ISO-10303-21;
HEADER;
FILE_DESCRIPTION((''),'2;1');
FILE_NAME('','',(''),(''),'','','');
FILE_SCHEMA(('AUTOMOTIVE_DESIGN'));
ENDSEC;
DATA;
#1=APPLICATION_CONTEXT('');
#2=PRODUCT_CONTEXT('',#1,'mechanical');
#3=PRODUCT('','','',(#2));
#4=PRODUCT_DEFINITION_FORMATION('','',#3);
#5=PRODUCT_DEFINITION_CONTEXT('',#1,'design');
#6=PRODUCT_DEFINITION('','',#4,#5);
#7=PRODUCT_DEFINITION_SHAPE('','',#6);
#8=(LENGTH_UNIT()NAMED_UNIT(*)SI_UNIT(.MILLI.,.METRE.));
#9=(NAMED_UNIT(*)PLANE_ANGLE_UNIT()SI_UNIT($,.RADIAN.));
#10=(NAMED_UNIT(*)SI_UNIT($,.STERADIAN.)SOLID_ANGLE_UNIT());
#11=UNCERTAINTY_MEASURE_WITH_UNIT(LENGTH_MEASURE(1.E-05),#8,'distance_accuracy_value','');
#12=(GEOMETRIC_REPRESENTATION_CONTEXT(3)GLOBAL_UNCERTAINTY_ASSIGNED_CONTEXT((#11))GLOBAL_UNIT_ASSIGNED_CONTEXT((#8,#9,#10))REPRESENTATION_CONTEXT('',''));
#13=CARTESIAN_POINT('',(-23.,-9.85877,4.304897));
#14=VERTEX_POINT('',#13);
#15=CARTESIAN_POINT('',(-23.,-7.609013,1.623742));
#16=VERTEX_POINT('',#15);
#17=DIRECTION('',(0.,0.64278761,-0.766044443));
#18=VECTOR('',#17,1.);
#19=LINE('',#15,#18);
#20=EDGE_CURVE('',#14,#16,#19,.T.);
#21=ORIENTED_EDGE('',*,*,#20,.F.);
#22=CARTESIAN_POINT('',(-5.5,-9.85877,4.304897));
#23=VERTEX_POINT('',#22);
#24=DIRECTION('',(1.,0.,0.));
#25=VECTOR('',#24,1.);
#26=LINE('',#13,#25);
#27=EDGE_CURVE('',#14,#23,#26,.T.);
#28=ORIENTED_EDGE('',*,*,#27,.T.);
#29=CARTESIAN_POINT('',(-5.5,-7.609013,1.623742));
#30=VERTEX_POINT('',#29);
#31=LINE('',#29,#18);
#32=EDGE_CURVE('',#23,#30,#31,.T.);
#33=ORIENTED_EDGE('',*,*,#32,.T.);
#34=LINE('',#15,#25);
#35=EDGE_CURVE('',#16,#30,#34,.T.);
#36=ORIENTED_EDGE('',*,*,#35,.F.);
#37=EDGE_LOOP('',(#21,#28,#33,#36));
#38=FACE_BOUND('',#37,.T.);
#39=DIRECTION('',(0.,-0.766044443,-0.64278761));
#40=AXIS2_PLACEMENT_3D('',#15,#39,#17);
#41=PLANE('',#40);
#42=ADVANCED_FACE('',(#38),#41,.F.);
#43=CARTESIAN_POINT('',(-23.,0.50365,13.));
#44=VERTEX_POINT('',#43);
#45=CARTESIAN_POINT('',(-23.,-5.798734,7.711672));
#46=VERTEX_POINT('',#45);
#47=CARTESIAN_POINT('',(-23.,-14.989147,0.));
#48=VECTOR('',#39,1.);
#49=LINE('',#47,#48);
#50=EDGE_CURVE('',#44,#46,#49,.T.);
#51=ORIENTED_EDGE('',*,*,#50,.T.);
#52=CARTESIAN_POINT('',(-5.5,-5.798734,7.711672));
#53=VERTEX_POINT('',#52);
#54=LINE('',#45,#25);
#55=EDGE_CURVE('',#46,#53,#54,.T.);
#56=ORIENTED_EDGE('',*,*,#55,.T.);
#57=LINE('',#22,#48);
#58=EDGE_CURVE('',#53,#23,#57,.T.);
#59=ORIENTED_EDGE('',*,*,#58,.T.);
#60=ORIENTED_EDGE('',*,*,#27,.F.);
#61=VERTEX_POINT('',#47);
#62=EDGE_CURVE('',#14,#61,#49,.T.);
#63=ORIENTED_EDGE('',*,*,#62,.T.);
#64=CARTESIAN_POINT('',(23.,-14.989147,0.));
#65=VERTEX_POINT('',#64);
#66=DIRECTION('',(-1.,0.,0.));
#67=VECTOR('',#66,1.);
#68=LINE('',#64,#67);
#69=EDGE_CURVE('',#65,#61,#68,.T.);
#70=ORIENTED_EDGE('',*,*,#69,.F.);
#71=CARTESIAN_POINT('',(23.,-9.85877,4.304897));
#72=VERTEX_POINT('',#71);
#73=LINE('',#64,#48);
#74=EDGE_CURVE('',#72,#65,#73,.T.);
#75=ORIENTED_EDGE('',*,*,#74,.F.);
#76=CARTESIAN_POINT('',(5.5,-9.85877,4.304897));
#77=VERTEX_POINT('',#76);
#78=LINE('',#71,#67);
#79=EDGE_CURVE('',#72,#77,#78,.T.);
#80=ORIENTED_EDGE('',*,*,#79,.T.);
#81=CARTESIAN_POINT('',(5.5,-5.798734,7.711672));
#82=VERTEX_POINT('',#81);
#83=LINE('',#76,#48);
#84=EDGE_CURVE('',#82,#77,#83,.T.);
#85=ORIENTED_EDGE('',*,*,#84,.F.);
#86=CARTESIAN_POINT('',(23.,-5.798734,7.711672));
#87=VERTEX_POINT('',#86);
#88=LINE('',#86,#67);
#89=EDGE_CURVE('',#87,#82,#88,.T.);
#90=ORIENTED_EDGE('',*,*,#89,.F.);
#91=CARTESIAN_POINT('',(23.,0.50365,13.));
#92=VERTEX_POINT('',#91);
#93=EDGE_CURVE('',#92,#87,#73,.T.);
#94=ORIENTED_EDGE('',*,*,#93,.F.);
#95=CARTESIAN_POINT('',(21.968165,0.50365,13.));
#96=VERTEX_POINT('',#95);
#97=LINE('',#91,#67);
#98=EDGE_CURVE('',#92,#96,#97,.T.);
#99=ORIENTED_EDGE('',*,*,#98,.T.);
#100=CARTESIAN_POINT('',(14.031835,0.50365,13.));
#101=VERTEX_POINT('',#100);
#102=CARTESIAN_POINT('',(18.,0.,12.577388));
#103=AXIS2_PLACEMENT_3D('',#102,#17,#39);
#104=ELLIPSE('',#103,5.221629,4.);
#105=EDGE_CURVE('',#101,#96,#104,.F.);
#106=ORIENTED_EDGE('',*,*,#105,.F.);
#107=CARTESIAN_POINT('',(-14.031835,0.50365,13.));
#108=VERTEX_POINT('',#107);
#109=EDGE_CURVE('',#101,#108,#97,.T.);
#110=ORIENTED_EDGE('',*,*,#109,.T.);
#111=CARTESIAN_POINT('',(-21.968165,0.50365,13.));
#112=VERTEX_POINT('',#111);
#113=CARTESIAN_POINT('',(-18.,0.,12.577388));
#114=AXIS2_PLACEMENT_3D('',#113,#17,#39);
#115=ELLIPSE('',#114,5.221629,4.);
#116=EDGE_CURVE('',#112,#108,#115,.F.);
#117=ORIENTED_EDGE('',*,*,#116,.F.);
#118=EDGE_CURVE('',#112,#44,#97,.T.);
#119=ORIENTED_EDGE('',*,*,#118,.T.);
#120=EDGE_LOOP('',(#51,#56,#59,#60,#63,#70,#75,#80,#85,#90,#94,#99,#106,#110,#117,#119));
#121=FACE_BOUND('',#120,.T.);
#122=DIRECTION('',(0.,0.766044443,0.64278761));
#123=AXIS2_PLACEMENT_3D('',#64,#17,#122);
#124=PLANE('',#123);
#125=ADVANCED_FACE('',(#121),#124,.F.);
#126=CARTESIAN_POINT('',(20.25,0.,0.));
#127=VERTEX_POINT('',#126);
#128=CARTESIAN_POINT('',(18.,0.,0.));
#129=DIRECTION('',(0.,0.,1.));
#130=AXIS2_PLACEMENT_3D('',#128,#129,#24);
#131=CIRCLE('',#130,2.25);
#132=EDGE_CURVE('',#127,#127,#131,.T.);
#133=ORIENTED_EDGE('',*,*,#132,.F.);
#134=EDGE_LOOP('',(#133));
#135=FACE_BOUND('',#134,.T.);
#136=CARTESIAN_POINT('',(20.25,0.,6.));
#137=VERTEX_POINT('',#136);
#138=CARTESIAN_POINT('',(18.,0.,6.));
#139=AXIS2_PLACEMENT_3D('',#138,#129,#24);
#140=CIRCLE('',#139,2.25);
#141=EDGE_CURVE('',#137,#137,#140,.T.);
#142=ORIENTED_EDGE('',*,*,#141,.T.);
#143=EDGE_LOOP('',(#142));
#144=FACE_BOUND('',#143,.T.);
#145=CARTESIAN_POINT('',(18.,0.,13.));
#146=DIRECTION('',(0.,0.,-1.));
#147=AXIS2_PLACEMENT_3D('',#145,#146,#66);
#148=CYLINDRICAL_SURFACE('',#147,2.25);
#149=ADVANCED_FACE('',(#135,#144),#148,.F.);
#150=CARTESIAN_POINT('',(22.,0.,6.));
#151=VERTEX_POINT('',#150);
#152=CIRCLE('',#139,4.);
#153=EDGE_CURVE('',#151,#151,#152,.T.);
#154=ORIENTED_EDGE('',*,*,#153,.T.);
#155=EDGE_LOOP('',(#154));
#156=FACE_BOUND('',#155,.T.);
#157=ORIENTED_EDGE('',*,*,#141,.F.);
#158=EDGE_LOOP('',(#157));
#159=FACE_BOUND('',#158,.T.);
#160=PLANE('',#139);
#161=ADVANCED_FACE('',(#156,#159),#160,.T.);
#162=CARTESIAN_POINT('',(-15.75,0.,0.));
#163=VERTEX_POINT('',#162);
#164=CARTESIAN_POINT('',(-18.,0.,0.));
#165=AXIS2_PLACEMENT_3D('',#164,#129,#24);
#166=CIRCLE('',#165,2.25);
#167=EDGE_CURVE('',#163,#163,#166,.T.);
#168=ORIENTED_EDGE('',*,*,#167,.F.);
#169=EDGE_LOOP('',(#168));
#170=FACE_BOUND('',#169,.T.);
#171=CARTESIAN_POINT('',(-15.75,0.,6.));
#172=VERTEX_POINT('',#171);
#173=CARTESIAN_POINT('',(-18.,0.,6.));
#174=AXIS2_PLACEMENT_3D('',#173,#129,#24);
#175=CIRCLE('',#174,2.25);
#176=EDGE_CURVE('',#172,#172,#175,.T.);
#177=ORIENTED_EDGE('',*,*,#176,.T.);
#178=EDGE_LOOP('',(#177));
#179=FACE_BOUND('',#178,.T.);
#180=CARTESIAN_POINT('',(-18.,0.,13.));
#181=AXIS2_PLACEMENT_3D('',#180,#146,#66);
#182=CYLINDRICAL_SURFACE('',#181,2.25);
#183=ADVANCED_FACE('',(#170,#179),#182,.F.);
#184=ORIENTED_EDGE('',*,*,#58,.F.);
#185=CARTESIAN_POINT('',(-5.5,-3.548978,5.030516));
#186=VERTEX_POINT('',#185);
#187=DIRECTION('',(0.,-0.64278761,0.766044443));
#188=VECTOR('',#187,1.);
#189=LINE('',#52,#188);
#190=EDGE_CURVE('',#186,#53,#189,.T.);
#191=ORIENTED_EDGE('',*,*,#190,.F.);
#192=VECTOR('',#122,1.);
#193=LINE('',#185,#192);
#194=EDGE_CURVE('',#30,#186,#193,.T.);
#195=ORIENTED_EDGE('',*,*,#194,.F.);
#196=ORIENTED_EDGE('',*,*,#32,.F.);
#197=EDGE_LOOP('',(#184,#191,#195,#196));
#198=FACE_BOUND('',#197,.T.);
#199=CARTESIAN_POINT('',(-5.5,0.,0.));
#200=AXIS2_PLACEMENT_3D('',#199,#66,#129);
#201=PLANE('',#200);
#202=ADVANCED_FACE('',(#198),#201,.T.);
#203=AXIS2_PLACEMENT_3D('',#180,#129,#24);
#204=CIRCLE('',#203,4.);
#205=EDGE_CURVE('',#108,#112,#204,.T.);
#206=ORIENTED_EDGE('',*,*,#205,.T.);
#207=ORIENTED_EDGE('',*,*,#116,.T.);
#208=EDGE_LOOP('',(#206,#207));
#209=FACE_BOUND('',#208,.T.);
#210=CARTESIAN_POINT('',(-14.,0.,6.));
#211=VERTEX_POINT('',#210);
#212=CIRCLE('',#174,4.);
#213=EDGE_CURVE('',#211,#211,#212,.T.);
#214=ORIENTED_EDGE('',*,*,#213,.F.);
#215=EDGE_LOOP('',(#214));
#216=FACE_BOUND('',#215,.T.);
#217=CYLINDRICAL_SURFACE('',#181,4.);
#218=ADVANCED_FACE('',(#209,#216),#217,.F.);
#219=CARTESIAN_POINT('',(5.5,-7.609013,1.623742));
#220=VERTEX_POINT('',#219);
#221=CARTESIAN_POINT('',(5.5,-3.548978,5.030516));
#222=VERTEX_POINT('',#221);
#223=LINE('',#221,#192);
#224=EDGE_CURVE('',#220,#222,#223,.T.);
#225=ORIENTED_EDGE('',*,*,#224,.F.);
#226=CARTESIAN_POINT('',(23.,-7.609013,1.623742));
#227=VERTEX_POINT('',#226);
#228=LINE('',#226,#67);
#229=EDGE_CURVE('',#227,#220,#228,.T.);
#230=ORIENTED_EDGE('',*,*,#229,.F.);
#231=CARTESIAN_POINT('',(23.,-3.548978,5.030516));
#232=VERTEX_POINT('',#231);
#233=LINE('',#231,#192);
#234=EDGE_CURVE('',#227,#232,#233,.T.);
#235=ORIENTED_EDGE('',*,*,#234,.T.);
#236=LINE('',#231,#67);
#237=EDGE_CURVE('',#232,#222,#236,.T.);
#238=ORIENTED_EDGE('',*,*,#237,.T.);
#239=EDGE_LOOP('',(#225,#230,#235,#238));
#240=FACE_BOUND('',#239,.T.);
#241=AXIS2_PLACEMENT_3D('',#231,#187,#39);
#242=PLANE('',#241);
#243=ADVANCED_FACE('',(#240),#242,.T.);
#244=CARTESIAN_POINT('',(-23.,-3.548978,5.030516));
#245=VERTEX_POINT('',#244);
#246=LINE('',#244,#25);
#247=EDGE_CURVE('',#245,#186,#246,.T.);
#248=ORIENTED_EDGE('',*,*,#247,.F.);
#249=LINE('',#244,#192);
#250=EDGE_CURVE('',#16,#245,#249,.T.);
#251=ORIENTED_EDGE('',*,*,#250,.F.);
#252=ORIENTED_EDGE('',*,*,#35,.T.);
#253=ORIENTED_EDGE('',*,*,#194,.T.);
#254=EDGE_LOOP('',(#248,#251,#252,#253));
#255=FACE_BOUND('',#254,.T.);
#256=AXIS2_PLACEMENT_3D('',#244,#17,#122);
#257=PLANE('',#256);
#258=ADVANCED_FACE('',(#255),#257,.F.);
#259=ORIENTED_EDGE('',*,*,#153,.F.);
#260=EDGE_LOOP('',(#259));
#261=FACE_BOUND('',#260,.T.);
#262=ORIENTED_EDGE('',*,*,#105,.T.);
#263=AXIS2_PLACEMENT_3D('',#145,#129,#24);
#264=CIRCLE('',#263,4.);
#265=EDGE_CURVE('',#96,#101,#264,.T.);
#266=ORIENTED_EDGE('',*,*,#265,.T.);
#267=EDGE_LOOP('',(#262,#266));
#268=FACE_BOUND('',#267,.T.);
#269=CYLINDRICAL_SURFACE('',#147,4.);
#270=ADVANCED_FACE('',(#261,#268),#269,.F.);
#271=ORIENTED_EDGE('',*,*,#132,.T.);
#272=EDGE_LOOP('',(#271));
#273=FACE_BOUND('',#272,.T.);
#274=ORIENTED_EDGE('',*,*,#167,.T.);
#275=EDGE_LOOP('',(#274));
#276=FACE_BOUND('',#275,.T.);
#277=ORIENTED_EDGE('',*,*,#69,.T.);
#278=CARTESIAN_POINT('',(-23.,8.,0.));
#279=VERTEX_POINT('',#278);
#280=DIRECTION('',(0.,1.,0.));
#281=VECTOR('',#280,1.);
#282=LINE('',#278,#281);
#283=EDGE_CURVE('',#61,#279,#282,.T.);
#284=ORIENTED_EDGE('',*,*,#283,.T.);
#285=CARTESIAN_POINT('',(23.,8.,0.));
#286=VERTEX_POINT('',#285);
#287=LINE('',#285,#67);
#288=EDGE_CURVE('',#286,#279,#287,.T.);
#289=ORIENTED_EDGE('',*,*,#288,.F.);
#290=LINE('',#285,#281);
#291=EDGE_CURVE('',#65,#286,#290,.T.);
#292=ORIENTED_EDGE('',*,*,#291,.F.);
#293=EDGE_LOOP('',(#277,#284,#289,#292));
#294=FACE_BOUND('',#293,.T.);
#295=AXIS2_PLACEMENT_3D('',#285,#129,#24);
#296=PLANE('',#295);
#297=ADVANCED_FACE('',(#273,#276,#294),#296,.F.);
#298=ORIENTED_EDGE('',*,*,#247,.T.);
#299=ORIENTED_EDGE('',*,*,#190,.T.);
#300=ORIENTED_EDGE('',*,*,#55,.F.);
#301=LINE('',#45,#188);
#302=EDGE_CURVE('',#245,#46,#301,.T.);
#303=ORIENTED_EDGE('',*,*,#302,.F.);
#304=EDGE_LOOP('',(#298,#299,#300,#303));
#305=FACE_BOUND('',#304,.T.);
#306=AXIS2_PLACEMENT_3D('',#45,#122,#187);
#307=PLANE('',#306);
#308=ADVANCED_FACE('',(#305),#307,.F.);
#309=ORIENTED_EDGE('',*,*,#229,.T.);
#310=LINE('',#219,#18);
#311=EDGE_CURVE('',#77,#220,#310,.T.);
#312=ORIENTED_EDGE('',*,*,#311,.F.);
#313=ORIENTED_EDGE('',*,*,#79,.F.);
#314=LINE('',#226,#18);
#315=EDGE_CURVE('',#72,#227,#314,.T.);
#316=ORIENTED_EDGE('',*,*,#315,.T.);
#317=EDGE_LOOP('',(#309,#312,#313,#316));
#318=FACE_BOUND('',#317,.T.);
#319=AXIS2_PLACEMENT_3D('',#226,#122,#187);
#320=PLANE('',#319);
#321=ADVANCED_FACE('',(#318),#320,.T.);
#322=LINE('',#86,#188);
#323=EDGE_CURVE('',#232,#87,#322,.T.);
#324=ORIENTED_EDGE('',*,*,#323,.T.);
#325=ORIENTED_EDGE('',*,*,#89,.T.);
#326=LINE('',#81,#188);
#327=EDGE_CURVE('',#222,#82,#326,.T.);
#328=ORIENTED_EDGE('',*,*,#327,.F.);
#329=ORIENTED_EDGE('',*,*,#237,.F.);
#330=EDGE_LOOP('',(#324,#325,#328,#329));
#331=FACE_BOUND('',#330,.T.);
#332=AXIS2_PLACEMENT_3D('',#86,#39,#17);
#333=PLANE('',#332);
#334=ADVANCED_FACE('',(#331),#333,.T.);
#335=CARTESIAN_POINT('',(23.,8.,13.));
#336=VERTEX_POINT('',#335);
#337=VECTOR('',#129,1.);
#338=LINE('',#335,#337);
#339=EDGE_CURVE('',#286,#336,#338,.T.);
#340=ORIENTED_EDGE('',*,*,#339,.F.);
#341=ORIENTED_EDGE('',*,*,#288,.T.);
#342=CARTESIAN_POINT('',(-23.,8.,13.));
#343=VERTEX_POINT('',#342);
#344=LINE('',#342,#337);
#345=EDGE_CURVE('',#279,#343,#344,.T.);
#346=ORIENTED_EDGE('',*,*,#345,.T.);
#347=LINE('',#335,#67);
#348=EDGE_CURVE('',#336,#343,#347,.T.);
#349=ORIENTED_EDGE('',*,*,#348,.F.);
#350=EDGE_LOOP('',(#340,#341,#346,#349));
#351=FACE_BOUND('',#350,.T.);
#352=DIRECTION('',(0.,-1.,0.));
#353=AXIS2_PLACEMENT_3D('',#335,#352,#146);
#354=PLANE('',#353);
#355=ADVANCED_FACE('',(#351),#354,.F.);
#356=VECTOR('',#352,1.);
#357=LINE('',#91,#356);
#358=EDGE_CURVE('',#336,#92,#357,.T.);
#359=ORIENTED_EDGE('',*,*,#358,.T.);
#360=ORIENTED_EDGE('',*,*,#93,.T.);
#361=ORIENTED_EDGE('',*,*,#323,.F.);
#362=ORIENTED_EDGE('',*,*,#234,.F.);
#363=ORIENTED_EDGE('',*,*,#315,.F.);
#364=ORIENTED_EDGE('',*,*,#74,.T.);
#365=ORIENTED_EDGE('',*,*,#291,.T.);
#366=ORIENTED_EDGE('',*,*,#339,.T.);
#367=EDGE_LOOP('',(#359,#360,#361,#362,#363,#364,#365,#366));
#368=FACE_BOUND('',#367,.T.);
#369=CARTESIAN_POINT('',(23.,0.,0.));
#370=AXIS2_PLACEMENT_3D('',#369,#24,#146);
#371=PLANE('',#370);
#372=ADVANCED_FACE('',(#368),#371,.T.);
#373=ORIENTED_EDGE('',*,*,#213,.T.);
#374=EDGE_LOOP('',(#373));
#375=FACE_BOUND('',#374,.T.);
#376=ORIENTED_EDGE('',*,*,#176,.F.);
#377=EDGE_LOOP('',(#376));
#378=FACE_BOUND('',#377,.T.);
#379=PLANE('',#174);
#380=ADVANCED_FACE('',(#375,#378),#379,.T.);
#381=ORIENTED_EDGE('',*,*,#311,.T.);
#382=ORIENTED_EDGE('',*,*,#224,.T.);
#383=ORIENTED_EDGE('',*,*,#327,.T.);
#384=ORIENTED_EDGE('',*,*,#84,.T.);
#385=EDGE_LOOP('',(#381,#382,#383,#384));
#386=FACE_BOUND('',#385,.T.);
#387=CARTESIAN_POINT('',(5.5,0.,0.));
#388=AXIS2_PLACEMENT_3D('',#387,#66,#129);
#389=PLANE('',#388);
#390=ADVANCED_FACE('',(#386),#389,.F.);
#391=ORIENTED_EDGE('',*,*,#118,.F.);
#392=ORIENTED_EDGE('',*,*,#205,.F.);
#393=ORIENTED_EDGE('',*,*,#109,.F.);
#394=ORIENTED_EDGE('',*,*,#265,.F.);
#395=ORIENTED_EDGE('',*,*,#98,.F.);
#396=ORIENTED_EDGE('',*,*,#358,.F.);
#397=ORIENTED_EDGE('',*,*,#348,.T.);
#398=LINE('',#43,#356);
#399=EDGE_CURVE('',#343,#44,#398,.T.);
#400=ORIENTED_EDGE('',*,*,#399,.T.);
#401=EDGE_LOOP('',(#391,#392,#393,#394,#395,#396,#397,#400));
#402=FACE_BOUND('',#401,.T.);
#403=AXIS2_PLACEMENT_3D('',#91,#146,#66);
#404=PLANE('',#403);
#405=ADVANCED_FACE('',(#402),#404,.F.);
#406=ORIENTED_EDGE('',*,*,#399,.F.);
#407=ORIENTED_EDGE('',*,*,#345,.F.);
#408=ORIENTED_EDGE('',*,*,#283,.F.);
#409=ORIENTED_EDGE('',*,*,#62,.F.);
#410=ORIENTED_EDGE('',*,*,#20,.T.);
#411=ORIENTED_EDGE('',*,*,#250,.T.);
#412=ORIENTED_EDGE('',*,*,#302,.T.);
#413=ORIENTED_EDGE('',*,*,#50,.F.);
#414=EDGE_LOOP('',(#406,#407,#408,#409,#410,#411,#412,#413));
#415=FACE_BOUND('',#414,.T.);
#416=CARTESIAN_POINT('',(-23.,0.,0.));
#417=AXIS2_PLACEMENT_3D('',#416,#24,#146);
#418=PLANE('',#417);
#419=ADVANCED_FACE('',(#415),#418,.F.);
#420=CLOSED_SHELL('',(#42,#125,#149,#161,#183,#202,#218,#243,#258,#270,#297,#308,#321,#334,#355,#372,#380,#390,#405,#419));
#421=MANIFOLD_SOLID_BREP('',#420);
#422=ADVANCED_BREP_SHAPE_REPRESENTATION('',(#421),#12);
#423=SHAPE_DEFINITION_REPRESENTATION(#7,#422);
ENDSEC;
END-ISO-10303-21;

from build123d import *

# Parameters (mm, degrees)
EX_BODY_DEPTH       = 46
SK_SKINBOLTS_R      = 2.25
CUT_SKINBOLTS_DEPTH = 13
SK_BOLTHEADS_R      = 4
CUT_BOLTHEADS_DEPTH = 7
CUT_PLUGL_DEPTH     = 17.5
CUT_PLUGR_DEPTH     = 17.5


with BuildPart() as part:
    # SK_Body → EX_Body (new body)
    with BuildSketch(Plane(origin=(-23, 0, 0), x_dir=(0, 0, -1), z_dir=(1, 0, 0))):
        Polygon((0, -14.989146791), (-13, 0.503649913), (-13, 8), (0, 8), align=None)
    extrude(amount=EX_BODY_DEPTH)

    # SK_SkinBolts → CUT_SkinBolts (cut)
    with BuildSketch(Plane.XY):
        with Locations((18, 0)):
            Circle(SK_SKINBOLTS_R)
        with Locations((-18, 0)):
            Circle(SK_SKINBOLTS_R)
    extrude(amount=CUT_SKINBOLTS_DEPTH, mode=Mode.SUBTRACT)

    # SK_BoltHeads → CUT_BoltHeads (cut)
    with BuildSketch(Plane.XY.offset(6)):
        with Locations((18, 0)):
            Circle(SK_BOLTHEADS_R)
        with Locations((-18, 0)):
            Circle(SK_BOLTHEADS_R)
    extrude(amount=CUT_BOLTHEADS_DEPTH, mode=Mode.SUBTRACT)

    # SK_PlugL → CUT_PlugL (cut)
    with BuildSketch(Plane(origin=(5.5, 0, 0), x_dir=(0, 0, -1), z_dir=(1, 0, 0))):
        Polygon((-4.304897282, -9.858769989), (-7.711671614, -5.798734441), (-5.030516063, -3.548977807), (-1.623741731, -7.609013355), align=None)
    extrude(amount=CUT_PLUGL_DEPTH, mode=Mode.SUBTRACT)

    # SK_PlugR → CUT_PlugR (cut)
    with BuildSketch(Plane(origin=(-5.5, 0, 0), x_dir=(0, 0, -1), z_dir=(1, 0, 0))):
        Polygon((-4.304897282, -9.858769989), (-7.711671614, -5.798734441), (-5.030516063, -3.548977807), (-1.623741731, -7.609013355), align=None)
    extrude(amount=-CUT_PLUGR_DEPTH, mode=Mode.SUBTRACT)


solid = part.part
